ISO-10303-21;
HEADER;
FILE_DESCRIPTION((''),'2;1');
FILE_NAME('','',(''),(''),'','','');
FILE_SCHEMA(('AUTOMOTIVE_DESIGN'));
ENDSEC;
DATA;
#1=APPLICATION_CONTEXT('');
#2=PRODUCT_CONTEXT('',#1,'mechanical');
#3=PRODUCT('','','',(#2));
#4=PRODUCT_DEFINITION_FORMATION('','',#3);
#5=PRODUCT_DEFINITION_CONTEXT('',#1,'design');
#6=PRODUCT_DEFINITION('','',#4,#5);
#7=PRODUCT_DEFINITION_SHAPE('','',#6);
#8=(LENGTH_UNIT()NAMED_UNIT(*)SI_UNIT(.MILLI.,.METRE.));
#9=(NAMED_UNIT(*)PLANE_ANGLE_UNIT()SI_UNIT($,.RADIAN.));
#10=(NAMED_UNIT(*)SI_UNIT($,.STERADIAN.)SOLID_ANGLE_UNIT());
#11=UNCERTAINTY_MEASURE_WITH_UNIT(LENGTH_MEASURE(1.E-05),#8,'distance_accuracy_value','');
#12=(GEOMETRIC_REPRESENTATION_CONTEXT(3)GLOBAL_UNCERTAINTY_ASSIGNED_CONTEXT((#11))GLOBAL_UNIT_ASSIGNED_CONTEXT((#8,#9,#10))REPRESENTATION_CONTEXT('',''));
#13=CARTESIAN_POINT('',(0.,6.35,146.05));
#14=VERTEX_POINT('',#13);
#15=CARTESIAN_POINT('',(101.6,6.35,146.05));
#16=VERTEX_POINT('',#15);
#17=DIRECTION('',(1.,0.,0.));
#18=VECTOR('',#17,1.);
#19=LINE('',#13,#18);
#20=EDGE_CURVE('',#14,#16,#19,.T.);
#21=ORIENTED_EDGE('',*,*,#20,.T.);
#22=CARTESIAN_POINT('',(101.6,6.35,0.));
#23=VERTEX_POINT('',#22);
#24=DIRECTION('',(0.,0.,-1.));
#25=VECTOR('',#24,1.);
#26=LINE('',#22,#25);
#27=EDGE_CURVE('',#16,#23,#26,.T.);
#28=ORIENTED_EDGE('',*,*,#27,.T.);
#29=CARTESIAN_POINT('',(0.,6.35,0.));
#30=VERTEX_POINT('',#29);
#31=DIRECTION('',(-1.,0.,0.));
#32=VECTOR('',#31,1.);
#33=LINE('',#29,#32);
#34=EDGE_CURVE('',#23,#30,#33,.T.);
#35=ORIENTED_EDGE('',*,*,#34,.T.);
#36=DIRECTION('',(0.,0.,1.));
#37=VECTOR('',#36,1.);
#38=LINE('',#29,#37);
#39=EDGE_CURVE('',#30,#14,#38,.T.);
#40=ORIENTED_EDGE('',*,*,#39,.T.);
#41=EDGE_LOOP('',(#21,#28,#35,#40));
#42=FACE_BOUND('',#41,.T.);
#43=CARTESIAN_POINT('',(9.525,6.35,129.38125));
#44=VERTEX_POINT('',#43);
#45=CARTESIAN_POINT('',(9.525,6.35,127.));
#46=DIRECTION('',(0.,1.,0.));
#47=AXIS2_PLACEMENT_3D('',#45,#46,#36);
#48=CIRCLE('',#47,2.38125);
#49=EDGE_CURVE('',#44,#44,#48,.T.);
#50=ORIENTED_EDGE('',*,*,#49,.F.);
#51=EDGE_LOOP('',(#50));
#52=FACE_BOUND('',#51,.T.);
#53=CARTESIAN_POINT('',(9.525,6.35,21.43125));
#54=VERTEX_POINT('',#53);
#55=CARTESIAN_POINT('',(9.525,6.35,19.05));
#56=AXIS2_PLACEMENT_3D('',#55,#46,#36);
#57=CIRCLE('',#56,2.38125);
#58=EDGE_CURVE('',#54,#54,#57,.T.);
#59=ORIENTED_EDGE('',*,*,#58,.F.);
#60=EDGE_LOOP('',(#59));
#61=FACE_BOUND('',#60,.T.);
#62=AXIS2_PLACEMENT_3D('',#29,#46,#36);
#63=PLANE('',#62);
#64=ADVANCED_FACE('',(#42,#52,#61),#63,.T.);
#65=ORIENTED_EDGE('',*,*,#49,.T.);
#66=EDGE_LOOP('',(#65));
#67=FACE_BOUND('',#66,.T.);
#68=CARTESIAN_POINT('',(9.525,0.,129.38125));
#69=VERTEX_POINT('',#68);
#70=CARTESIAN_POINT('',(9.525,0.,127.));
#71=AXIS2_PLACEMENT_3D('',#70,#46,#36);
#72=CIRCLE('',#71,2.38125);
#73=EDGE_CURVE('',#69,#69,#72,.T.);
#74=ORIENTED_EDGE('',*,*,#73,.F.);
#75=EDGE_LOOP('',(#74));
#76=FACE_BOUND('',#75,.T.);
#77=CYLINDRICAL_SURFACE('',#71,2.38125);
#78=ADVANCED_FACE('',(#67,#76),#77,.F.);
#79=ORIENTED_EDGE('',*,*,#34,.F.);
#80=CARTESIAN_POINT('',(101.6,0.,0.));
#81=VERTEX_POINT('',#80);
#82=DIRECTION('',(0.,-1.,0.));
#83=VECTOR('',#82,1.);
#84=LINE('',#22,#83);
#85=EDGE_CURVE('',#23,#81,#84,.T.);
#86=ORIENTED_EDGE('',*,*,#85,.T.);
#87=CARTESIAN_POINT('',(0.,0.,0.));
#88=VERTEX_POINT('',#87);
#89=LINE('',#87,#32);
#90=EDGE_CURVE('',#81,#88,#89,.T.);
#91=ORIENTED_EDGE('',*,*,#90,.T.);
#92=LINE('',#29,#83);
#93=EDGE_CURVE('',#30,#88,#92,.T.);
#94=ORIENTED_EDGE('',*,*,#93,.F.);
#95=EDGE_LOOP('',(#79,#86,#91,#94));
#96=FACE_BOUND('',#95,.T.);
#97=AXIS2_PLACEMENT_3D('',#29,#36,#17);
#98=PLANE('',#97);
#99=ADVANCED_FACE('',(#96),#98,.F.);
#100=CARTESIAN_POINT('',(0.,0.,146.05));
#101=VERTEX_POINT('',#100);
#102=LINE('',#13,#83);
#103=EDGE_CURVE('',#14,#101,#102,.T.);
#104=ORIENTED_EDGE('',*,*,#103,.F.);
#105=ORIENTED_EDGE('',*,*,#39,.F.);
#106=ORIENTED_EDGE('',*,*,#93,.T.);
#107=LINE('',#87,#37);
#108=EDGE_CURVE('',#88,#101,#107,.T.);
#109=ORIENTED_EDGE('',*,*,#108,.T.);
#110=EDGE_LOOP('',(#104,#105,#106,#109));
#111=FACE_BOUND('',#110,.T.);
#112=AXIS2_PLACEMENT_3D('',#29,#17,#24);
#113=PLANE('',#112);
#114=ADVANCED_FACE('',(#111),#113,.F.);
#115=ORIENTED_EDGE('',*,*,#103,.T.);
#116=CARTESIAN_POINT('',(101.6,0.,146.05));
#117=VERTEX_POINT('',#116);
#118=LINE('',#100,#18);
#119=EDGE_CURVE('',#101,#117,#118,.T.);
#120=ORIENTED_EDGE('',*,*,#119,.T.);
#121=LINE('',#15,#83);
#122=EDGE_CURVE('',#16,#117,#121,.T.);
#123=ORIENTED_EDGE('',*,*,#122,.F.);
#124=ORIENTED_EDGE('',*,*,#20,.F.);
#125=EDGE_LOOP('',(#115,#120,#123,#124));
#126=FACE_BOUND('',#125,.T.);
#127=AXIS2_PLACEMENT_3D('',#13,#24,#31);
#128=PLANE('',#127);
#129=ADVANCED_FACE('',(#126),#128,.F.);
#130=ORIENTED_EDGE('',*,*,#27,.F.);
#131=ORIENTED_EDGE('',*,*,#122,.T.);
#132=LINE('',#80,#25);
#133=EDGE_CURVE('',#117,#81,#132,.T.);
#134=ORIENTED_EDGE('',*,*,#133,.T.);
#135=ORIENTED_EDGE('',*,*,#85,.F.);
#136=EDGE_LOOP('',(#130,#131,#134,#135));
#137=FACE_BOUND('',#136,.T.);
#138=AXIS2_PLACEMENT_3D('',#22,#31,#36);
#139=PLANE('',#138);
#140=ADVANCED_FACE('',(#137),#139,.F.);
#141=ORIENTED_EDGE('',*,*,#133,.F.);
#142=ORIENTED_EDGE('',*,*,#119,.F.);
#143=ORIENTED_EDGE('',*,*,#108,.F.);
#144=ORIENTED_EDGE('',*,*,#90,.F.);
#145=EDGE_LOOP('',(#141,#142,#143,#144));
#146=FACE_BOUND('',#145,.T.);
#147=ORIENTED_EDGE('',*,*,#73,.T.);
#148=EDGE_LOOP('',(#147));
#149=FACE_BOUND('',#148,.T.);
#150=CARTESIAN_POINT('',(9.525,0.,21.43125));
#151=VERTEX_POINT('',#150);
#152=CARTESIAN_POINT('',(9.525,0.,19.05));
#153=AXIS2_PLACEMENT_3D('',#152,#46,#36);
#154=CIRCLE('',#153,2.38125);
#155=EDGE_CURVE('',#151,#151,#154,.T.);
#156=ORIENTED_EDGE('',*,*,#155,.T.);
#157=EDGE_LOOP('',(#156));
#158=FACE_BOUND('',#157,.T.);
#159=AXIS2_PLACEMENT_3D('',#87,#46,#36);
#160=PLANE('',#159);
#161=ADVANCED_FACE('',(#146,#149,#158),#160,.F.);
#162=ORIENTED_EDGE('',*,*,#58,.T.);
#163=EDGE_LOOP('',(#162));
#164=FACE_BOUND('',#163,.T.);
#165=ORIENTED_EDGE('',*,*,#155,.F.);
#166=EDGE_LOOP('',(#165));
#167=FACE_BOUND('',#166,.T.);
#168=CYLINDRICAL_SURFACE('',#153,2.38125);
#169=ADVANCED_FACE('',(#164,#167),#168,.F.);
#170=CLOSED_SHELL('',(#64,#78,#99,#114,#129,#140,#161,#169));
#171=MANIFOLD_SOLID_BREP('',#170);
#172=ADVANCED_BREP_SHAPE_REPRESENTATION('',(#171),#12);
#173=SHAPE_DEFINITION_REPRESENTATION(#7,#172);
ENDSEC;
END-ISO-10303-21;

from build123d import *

# Parameters (mm, degrees)
SKETCH1_W           = 101.6
SKETCH1_H           = 146.05
BOSS_EXTRUDE1_DEPTH = 6.35
SKETCH2_R           = 2.38125
CUT_EXTRUDE1_DEPTH  = 6.35


with BuildPart() as part:
    # Sketch1 → Boss-Extrude1 (new body)
    with BuildSketch(Plane(origin=(0, 0, 0), x_dir=(1, 0, 0), z_dir=(0, 1, 0))):
        with Locations((50.8, -73.025)):
            Rectangle(SKETCH1_W, SKETCH1_H)
    extrude(amount=BOSS_EXTRUDE1_DEPTH)

    # Sketch2 → Cut-Extrude1 (cut)
    with BuildSketch(Plane(origin=(0, 6.35, 0), x_dir=(1, 0, 0), z_dir=(0, 1, 0))):
        with Locations(Location((9.525, -19.05, 0), (0, 0, 270))):
            Circle(SKETCH2_R)
        with Locations(Location((9.525, -127, 0), (0, 0, 270))):
            Circle(SKETCH2_R)
    extrude(amount=-CUT_EXTRUDE1_DEPTH, mode=Mode.SUBTRACT)


solid = part.part
